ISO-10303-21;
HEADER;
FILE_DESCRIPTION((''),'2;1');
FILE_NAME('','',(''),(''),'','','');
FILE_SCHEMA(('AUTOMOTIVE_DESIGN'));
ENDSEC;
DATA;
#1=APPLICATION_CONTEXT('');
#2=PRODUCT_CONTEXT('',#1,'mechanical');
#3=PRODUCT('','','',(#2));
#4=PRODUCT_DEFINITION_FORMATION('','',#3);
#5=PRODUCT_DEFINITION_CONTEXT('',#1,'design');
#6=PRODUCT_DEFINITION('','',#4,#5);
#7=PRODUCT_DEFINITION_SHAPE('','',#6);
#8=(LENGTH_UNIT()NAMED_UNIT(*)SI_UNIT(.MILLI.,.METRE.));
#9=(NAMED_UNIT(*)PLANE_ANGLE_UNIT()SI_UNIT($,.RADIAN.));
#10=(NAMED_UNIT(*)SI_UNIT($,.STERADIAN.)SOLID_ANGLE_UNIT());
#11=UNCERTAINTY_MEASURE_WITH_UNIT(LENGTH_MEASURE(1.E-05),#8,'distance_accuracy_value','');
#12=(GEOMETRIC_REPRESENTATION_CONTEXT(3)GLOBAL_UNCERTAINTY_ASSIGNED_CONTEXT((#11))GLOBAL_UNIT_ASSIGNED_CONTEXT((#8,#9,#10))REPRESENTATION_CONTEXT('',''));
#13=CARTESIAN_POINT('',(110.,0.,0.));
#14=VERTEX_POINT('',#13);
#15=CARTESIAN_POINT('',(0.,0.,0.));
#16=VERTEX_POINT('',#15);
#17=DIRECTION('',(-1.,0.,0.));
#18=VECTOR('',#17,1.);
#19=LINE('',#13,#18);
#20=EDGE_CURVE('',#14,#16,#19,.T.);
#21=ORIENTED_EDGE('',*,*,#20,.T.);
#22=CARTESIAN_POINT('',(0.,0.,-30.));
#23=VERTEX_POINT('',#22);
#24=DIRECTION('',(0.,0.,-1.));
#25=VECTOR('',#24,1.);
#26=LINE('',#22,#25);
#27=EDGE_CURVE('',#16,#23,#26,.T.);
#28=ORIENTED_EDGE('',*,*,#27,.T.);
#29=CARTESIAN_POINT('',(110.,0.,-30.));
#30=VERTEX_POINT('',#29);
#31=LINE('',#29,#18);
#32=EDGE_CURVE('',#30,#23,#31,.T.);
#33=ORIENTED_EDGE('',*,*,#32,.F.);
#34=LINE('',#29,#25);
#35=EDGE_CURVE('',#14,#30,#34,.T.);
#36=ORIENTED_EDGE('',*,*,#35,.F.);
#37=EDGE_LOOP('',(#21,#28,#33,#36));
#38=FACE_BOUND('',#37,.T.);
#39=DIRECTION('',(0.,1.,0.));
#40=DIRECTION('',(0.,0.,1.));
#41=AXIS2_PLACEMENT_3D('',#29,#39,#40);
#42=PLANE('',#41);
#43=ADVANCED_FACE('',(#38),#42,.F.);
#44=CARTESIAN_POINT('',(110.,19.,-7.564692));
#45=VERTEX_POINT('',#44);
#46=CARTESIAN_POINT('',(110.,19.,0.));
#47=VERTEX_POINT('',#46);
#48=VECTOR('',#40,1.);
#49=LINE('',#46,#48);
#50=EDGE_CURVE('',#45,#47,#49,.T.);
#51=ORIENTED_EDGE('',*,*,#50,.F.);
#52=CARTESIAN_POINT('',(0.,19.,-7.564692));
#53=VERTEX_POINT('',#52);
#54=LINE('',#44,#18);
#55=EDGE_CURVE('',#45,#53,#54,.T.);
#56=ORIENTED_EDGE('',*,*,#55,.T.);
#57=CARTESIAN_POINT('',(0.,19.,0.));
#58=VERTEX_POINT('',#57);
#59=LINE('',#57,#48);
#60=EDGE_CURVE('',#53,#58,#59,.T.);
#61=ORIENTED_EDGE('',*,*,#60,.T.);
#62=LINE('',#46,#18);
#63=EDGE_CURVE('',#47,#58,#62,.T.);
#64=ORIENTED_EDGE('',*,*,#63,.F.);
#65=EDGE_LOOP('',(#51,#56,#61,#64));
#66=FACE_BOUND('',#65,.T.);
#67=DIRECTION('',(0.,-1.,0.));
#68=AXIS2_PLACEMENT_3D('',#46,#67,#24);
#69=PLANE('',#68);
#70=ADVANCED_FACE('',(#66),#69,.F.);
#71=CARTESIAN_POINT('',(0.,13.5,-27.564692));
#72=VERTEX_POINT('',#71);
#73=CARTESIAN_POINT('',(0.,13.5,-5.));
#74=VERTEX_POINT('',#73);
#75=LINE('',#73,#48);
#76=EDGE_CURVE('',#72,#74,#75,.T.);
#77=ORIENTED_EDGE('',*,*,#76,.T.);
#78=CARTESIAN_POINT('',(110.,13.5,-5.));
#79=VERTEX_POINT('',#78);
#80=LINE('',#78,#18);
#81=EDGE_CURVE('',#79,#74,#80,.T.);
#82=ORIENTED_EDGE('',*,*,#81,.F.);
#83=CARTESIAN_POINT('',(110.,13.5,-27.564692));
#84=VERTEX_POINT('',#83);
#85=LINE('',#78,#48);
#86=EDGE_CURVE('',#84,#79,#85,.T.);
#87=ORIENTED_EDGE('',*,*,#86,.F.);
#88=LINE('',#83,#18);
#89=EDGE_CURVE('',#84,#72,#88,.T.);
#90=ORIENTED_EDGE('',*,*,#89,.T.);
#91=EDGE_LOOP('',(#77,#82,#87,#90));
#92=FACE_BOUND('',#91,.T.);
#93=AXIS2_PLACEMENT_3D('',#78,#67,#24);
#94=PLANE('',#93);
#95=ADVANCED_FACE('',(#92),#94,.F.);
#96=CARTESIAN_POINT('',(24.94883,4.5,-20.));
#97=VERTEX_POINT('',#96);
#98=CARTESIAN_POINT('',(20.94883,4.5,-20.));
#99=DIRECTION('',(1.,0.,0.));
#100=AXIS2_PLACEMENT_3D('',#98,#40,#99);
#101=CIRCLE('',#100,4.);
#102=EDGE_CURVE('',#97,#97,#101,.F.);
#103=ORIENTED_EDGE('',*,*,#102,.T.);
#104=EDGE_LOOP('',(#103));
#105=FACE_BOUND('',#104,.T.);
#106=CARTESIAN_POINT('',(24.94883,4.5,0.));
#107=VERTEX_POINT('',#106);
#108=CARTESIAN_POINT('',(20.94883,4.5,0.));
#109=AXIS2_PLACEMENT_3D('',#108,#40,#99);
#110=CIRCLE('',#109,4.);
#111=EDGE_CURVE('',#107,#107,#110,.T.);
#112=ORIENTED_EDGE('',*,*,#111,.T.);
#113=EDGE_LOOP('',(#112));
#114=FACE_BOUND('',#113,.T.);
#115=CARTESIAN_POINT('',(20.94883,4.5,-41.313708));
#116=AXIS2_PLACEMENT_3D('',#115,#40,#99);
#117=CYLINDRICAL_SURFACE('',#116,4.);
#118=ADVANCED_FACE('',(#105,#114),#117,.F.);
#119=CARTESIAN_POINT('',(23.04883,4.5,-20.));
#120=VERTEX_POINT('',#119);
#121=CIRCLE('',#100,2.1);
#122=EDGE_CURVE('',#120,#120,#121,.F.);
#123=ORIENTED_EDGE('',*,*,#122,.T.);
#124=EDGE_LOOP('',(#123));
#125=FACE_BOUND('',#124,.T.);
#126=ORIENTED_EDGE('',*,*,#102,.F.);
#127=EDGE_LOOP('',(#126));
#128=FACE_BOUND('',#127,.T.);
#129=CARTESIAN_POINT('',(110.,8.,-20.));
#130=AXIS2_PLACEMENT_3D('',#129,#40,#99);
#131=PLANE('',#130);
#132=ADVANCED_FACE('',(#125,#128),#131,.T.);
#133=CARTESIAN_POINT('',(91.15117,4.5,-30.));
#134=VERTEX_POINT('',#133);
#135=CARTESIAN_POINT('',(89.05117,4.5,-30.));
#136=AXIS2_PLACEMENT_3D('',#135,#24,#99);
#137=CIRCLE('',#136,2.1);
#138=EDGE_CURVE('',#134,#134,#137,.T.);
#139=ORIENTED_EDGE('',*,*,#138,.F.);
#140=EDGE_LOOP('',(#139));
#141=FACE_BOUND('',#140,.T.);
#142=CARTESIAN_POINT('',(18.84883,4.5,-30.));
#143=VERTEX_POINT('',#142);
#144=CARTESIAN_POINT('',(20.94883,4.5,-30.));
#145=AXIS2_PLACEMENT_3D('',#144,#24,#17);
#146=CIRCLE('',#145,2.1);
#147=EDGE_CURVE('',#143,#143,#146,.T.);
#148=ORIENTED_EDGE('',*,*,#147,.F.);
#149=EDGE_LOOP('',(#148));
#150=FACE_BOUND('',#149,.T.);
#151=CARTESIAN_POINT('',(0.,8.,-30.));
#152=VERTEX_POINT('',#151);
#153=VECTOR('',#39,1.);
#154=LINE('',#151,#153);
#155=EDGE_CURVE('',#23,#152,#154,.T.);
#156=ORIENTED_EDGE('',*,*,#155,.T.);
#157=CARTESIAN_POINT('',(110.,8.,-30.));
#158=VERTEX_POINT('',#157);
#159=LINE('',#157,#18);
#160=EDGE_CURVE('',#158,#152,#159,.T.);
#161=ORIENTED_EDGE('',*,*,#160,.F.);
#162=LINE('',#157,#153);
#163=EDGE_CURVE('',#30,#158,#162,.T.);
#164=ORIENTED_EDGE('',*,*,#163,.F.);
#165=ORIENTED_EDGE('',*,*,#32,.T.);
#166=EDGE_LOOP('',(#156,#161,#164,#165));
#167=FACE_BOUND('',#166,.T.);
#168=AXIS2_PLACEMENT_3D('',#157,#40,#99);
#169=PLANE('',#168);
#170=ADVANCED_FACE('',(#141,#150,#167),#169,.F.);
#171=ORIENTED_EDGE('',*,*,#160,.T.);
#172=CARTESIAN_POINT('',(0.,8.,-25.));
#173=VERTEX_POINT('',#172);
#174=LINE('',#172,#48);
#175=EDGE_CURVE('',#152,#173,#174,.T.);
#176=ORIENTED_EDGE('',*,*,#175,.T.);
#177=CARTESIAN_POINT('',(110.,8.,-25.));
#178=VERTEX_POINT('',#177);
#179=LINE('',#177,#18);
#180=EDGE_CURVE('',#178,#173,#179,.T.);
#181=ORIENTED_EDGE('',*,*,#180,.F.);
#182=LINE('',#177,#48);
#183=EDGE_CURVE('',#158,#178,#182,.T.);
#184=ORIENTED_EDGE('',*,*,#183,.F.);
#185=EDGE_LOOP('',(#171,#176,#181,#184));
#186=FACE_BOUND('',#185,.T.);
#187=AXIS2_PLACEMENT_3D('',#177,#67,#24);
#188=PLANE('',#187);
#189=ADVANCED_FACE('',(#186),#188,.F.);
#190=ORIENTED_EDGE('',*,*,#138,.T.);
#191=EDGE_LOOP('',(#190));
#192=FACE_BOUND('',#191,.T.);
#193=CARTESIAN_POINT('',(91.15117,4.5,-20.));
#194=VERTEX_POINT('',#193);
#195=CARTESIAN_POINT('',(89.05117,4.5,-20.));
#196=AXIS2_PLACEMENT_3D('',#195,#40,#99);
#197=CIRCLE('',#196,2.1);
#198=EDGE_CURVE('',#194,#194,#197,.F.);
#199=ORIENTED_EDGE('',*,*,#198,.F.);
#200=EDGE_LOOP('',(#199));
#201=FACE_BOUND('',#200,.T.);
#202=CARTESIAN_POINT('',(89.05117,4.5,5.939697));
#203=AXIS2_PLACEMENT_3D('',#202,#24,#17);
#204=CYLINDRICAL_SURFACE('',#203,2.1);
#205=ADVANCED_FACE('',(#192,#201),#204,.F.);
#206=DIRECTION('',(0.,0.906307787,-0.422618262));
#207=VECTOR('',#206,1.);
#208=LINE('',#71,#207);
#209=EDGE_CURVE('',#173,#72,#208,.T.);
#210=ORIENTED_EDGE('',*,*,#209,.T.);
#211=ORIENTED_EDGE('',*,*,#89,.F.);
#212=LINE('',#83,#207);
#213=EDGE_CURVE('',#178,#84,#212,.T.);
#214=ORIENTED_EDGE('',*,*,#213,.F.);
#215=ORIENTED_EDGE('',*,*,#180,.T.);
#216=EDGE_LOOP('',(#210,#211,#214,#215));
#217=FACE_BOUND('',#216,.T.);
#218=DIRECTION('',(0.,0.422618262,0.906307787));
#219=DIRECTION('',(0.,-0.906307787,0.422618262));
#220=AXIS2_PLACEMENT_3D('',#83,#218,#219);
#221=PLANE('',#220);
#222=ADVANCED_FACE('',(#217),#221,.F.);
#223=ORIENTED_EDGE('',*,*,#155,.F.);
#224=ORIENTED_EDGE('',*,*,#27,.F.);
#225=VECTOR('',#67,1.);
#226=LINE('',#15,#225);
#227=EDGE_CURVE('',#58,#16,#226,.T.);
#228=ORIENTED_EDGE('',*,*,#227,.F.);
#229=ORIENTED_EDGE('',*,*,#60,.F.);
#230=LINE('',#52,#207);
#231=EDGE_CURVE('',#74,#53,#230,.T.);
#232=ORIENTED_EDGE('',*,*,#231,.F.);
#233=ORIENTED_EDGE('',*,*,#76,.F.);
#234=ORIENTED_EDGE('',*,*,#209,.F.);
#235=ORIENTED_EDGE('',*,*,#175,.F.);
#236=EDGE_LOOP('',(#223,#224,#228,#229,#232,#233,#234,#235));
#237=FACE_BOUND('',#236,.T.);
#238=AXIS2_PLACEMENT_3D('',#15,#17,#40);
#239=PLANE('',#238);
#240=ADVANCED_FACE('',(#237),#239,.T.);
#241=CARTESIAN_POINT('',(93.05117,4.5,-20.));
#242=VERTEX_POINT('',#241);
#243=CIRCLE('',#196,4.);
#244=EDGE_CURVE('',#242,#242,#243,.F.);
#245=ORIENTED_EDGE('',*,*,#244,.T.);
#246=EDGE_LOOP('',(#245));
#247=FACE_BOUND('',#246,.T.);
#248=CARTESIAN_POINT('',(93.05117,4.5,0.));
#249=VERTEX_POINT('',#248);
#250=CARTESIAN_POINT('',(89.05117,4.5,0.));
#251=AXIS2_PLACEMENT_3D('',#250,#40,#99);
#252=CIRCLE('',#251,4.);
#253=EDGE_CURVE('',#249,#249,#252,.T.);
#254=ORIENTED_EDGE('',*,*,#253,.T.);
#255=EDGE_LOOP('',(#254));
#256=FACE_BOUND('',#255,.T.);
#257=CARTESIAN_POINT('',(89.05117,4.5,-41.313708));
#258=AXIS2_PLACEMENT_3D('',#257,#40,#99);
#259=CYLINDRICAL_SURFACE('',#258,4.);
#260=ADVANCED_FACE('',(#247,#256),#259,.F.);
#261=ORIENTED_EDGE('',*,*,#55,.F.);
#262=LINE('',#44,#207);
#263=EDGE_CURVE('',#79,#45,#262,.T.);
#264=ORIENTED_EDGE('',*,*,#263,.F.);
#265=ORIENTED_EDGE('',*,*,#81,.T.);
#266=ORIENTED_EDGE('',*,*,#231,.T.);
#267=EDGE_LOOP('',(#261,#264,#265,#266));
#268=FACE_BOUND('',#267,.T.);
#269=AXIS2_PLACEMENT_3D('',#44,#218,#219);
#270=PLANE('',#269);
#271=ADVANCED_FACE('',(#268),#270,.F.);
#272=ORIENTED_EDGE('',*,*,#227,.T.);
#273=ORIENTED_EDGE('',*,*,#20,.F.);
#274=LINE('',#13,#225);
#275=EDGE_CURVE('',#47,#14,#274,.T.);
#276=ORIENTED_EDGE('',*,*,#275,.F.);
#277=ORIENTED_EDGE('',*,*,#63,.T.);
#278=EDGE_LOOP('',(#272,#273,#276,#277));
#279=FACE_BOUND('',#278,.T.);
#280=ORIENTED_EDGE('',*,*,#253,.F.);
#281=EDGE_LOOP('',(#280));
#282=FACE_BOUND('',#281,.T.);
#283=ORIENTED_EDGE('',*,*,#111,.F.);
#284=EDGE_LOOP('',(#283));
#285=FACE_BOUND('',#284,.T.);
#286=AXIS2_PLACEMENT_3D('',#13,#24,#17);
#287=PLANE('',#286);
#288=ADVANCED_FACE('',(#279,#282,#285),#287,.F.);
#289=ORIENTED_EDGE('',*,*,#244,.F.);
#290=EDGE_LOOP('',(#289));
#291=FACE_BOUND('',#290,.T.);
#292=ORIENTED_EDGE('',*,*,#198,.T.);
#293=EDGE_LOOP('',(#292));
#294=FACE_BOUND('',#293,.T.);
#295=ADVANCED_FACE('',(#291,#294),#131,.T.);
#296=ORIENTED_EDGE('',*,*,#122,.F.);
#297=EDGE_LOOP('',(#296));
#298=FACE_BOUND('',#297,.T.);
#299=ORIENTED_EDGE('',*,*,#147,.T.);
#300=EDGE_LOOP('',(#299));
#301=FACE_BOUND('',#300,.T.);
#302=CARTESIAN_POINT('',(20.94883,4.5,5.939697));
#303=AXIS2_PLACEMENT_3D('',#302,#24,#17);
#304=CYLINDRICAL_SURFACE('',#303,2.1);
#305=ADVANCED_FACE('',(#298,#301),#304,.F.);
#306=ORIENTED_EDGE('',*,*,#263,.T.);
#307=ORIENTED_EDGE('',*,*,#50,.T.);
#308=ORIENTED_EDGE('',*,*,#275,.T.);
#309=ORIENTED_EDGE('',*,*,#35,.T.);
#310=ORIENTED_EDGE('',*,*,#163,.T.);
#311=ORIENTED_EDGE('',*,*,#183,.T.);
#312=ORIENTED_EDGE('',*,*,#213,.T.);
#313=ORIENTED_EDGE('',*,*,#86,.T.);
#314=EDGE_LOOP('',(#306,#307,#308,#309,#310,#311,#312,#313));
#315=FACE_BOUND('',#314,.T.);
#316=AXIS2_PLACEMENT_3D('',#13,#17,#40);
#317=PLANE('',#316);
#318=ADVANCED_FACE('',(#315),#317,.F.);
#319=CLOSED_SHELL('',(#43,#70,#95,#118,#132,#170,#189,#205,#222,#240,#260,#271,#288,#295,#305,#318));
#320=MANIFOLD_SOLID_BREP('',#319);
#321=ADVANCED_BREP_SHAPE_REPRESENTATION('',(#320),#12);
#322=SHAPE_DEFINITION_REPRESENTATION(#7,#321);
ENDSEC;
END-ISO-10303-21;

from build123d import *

# Parameters (mm, degrees)
BOSS_EXTRUDE1_DEPTH = 110
SKETCH2_R           = 2.1
CUT_EXTRUDE1_DEPTH  = 30
SKETCH3_R           = 4
CUT_EXTRUDE2_DEPTH  = 20


with BuildPart() as part:
    # Sketch1 → Boss-Extrude1 (new body)
    with BuildSketch(Plane(origin=(0, 0, 0), x_dir=(0, 0, -1), z_dir=(1, 0, 0))):
        Polygon((0, 0), (0, 19), (7.56469212, 19), (5, 13.5), (27.56469212, 13.5), (25, 8), (30, 8), (30, 0), align=None)
    extrude(amount=BOSS_EXTRUDE1_DEPTH)

    # Sketch2 → Cut-Extrude1 (cut)
    with BuildSketch(Plane(origin=(0, 0, -30), x_dir=(-1, 0, 0), z_dir=(0, 0, -1))):
        with Locations((-20.948830341, 4.5)):
            Circle(SKETCH2_R)
        with Locations((-89.051169659, 4.5)):
            Circle(SKETCH2_R)
    extrude(amount=-CUT_EXTRUDE1_DEPTH, mode=Mode.SUBTRACT)

    # Sketch3 → Cut-Extrude2 (cut)
    with BuildSketch(Plane.XY):
        with Locations((20.948830341, 4.5)):
            Circle(SKETCH3_R)
        with Locations((89.051169659, 4.5)):
            Circle(SKETCH3_R)
    extrude(amount=-CUT_EXTRUDE2_DEPTH, mode=Mode.SUBTRACT)


solid = part.part
